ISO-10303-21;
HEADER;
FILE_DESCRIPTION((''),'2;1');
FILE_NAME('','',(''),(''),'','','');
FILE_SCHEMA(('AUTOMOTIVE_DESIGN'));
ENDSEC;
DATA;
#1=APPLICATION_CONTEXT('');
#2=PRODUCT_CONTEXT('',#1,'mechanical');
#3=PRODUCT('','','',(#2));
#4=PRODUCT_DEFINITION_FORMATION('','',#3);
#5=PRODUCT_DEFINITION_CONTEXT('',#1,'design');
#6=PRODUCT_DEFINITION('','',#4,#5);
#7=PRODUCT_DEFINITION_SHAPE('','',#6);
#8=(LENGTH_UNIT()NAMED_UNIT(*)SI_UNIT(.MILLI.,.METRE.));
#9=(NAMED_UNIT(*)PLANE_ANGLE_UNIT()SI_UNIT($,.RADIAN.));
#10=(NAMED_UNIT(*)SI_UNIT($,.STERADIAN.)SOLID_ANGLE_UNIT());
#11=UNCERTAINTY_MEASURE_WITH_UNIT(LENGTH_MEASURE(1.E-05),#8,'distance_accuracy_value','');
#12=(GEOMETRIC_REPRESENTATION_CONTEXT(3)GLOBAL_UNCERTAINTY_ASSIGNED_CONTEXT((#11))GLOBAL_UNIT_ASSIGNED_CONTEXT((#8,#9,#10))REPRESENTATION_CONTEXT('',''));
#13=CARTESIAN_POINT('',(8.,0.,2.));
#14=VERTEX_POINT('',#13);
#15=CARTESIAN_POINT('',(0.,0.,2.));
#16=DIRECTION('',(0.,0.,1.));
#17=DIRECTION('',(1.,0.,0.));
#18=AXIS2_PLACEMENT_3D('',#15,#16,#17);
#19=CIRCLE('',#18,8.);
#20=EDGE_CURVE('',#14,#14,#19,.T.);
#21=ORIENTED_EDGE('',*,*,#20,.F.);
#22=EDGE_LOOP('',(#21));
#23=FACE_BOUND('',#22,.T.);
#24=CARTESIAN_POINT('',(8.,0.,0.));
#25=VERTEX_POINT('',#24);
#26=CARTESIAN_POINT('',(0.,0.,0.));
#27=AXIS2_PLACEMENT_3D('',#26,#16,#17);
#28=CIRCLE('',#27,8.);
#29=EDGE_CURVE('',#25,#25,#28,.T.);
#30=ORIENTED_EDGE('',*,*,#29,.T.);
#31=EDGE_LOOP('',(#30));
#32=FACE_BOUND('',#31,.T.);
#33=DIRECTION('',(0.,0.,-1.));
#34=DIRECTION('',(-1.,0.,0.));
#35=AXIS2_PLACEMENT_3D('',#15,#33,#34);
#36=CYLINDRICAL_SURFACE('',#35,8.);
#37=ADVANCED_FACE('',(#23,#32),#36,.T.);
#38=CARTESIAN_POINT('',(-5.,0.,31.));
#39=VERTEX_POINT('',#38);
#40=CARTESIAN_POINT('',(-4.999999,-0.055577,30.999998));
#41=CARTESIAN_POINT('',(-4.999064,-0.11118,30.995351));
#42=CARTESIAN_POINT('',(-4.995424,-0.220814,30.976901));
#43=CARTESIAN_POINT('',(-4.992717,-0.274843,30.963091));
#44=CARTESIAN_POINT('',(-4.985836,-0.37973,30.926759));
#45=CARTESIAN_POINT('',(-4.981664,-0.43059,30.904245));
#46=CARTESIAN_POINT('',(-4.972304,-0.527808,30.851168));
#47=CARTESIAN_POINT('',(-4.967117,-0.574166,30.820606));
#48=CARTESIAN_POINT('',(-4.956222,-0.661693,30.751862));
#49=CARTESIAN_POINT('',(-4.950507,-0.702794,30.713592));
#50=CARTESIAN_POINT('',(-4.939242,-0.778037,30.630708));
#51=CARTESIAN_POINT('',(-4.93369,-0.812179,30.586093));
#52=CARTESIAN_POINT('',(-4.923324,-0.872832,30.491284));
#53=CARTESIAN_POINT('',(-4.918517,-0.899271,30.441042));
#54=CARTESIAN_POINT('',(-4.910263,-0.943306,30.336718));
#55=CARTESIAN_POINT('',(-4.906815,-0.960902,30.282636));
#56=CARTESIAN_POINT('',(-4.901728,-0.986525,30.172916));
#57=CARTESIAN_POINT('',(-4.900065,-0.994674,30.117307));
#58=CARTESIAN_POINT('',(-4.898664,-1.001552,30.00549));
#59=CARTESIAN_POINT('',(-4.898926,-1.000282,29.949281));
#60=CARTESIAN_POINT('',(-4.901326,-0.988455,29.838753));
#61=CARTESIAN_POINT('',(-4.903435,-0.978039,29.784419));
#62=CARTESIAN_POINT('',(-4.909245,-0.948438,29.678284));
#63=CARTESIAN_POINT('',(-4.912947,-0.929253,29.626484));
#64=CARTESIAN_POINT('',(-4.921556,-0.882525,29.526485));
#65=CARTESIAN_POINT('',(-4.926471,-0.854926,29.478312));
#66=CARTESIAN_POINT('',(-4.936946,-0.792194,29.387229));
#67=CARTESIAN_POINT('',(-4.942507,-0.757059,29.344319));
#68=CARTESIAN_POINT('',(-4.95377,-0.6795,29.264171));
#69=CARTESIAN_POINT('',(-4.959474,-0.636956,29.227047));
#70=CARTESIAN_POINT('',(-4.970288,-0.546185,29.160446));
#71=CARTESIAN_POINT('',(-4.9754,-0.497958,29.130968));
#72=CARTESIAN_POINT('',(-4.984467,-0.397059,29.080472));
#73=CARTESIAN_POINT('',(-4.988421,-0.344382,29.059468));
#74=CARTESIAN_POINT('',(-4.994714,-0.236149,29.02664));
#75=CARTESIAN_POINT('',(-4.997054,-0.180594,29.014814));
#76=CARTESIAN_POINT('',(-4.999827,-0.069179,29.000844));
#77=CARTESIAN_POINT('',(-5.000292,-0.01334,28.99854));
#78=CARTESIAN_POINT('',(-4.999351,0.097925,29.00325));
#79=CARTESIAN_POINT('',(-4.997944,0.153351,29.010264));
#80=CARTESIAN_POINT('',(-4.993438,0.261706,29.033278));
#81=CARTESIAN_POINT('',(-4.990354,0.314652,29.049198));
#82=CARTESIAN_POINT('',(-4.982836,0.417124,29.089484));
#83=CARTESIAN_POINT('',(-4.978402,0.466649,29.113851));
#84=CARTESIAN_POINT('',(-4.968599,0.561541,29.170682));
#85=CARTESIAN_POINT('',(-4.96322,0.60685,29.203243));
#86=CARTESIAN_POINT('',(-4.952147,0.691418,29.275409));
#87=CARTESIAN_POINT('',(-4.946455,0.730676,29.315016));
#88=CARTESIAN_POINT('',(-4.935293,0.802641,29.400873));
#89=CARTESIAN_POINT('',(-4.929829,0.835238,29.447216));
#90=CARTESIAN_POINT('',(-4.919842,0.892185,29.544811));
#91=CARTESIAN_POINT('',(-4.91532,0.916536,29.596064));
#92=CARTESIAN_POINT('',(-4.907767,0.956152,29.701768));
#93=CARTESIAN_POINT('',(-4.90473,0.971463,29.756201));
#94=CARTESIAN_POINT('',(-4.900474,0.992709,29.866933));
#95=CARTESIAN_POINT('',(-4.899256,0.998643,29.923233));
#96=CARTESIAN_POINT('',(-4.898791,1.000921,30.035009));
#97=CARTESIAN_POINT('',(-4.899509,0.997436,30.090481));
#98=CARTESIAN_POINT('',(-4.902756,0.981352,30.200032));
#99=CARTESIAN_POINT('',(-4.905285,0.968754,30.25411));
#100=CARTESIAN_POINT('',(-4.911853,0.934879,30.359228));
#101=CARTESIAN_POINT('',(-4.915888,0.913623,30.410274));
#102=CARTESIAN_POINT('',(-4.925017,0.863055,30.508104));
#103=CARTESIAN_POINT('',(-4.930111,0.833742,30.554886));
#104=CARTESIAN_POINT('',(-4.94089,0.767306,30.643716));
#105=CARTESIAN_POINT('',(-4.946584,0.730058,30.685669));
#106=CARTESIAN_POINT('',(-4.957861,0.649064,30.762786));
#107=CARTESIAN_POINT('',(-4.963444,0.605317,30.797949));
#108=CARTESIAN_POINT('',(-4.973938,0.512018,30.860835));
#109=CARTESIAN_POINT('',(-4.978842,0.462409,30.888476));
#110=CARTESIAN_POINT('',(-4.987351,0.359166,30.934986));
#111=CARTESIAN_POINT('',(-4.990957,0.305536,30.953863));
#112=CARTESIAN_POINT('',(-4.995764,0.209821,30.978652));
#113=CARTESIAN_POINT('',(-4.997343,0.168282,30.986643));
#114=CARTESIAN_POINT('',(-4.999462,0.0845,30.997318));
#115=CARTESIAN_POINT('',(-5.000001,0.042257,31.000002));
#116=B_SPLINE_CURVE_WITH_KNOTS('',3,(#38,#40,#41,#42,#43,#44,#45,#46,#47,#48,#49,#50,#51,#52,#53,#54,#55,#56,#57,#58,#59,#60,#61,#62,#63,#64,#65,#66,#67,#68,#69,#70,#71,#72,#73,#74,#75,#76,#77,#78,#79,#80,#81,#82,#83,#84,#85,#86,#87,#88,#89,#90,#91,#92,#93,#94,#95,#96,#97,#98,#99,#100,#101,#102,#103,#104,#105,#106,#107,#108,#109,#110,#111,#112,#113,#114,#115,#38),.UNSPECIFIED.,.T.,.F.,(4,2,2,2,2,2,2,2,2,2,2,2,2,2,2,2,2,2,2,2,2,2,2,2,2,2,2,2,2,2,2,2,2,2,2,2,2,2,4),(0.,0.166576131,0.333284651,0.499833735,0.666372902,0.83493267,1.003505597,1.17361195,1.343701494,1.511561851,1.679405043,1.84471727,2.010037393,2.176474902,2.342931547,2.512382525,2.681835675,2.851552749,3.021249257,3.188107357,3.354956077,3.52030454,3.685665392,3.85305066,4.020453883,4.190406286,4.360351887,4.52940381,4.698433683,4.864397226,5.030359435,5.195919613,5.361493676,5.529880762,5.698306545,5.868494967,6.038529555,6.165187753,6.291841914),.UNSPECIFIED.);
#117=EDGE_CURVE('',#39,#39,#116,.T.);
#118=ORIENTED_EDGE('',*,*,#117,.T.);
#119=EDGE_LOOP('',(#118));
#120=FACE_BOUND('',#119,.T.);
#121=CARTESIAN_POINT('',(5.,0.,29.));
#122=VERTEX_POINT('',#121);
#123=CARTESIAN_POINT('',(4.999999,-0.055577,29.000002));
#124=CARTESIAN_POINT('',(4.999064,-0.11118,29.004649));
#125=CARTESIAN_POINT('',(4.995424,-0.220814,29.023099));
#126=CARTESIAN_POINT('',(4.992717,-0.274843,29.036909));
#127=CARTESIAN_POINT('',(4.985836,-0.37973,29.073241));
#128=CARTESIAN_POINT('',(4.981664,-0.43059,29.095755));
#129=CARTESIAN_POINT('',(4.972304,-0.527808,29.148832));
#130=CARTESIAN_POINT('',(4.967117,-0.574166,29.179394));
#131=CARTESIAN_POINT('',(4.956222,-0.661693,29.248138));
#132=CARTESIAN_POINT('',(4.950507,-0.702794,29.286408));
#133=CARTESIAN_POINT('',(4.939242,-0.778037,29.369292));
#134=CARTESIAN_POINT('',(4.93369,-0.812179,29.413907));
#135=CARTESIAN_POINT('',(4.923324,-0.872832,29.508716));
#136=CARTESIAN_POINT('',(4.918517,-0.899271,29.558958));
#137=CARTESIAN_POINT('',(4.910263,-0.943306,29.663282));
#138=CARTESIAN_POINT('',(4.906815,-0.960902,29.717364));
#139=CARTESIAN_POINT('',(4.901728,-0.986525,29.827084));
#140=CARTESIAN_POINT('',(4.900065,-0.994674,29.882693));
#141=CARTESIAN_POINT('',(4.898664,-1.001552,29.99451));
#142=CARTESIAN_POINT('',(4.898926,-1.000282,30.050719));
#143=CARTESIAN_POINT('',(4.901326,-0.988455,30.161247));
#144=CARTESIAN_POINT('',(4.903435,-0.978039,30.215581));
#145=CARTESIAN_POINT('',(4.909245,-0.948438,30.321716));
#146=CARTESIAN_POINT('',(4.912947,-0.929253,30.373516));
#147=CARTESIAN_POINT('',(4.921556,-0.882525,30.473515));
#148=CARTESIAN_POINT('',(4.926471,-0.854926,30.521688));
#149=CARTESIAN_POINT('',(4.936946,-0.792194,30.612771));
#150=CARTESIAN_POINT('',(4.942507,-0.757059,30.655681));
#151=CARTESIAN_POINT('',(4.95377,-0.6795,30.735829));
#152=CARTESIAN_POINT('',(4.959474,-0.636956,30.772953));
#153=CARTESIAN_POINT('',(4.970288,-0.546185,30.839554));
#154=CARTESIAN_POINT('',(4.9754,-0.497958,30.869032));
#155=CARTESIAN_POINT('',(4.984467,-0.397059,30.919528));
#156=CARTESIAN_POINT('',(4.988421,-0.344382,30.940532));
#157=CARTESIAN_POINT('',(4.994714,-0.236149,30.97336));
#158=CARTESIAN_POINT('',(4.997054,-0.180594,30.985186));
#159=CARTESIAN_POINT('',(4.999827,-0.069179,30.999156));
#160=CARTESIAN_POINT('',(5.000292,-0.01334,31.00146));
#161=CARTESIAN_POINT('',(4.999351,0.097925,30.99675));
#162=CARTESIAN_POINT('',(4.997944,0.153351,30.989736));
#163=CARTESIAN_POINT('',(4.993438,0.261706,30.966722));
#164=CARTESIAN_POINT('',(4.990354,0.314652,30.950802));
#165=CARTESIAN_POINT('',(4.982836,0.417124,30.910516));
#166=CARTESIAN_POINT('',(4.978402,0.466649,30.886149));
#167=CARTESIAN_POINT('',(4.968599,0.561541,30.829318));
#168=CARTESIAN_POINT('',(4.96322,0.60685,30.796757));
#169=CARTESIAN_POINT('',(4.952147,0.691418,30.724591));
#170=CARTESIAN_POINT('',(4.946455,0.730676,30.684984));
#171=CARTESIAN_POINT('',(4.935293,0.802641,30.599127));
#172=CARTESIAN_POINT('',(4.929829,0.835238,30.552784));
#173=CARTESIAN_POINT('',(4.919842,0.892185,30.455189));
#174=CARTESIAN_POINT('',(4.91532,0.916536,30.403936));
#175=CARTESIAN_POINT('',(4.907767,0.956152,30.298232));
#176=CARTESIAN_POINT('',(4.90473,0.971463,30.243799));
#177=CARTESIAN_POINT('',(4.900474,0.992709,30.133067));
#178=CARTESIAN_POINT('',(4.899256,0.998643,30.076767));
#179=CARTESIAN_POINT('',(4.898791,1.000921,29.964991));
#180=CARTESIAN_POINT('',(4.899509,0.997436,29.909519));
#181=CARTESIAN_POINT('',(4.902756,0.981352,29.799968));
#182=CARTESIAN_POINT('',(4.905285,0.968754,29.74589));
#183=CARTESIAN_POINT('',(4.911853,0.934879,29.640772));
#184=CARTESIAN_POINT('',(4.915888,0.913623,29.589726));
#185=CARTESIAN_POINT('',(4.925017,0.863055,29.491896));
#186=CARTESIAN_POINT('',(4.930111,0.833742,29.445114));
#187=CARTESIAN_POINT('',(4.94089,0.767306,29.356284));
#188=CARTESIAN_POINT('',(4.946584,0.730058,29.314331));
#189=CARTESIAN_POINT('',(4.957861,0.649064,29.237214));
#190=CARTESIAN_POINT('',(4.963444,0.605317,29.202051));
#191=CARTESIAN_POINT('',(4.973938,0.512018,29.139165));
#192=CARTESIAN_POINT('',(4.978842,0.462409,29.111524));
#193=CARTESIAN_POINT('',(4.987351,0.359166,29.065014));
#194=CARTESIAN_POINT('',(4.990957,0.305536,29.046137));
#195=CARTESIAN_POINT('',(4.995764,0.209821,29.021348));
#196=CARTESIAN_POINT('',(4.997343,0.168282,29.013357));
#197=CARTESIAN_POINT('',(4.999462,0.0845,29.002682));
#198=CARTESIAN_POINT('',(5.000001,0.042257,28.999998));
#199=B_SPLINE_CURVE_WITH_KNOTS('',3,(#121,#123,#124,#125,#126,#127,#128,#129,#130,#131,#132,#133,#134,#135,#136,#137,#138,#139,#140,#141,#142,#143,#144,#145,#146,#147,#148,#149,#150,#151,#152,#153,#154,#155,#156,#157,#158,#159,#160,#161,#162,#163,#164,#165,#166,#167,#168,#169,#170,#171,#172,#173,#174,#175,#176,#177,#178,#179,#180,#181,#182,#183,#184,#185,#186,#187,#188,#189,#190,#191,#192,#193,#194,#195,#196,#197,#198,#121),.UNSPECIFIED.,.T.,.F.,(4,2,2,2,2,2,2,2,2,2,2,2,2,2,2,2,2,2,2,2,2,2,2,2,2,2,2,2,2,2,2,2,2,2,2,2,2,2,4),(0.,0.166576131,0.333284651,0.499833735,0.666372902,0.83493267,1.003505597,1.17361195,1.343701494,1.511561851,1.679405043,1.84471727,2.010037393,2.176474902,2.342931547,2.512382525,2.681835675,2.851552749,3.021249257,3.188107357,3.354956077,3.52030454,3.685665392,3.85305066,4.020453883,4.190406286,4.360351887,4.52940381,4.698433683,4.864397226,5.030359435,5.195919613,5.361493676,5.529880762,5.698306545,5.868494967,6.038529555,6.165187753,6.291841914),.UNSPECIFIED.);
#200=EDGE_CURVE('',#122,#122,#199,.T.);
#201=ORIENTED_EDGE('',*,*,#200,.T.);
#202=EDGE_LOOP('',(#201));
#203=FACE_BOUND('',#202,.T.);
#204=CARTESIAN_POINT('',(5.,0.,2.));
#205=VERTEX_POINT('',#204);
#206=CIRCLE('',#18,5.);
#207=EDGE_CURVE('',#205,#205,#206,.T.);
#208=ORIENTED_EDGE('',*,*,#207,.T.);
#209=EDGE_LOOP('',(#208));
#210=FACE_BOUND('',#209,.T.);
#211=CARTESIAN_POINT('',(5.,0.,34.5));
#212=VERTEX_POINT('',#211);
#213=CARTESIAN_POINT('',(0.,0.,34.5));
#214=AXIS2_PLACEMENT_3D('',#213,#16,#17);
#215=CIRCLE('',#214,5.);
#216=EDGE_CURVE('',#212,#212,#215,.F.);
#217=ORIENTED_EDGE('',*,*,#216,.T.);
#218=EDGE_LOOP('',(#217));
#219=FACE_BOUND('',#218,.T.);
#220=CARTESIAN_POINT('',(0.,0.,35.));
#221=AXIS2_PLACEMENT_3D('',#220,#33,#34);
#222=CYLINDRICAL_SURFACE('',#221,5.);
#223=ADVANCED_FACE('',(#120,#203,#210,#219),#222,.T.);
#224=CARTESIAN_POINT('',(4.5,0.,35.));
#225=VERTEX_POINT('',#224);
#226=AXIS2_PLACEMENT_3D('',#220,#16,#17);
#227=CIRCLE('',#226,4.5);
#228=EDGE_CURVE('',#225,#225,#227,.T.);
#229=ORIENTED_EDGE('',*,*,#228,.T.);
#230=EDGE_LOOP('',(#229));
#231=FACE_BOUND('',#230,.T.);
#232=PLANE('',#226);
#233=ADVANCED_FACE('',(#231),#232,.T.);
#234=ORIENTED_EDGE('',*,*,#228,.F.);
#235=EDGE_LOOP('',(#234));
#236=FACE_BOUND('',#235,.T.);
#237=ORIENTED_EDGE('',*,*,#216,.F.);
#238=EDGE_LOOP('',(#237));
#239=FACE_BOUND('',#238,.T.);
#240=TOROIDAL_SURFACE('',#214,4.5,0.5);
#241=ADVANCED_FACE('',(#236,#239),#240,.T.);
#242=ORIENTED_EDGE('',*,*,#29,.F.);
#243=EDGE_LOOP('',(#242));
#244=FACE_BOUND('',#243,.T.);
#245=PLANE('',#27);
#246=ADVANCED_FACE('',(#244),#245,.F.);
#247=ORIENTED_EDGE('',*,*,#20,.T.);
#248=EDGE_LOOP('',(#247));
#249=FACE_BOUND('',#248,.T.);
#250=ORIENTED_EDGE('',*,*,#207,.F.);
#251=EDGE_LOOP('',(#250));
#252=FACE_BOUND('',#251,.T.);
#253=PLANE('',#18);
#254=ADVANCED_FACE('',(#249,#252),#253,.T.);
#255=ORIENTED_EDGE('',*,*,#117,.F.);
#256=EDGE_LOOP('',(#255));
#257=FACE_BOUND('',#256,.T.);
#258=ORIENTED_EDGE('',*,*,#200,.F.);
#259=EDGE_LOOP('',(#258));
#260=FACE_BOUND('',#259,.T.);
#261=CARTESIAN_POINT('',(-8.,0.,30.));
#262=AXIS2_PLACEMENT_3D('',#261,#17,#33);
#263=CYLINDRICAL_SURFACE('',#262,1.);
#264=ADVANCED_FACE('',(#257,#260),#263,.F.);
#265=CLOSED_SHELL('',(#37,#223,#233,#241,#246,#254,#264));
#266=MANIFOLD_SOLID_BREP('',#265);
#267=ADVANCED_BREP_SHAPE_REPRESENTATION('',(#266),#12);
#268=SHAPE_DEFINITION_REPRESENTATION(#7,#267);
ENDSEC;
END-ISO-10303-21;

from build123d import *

# Parameters (mm, degrees)
SKETCH1_R               = 5
BOSS_EXTRUDE1_DEPTH     = 35
SKETCH1_3_R             = 8
SKETCH1_3_R_2           = 5
BOSS_EXTRUDE2_DEPTH     = 2
SKETCH3_R               = 1
CUT_EXTRUDE3_DEPTH      = 9
CUT_EXTRUDE3_DEPTH_BACK = 9
FILLET1_R               = 0.5


with BuildPart() as part:
    # Sketch1 → Boss-Extrude1 (new body)
    with BuildSketch(Plane.XY):
        Circle(SKETCH1_R)
    extrude(amount=BOSS_EXTRUDE1_DEPTH)

    # Sketch1<3> → Boss-Extrude2 (add)
    with BuildSketch(Plane.XY):
        Circle(SKETCH1_3_R)
        Circle(SKETCH1_3_R_2, mode=Mode.SUBTRACT)
    extrude(amount=BOSS_EXTRUDE2_DEPTH)

    # Sketch3 → Cut-Extrude3 (cut, two sides)
    with BuildSketch(Plane(origin=(0, 0, 0), x_dir=(0, 0, -1), z_dir=(1, 0, 0))) as cut_extrude3_sk:
        with Locations((-30, 0)):
            Circle(SKETCH3_R)
    extrude(amount=CUT_EXTRUDE3_DEPTH, mode=Mode.SUBTRACT)
    extrude(cut_extrude3_sk.sketch, amount=-CUT_EXTRUDE3_DEPTH_BACK, mode=Mode.SUBTRACT)

    # Fillet1
    fillet1_edges = [part.edges().sort_by_distance(p)[0] for p in [
        (-5, 0, 35),
    ]]
    fillet(fillet1_edges, radius=FILLET1_R)


solid = part.part
